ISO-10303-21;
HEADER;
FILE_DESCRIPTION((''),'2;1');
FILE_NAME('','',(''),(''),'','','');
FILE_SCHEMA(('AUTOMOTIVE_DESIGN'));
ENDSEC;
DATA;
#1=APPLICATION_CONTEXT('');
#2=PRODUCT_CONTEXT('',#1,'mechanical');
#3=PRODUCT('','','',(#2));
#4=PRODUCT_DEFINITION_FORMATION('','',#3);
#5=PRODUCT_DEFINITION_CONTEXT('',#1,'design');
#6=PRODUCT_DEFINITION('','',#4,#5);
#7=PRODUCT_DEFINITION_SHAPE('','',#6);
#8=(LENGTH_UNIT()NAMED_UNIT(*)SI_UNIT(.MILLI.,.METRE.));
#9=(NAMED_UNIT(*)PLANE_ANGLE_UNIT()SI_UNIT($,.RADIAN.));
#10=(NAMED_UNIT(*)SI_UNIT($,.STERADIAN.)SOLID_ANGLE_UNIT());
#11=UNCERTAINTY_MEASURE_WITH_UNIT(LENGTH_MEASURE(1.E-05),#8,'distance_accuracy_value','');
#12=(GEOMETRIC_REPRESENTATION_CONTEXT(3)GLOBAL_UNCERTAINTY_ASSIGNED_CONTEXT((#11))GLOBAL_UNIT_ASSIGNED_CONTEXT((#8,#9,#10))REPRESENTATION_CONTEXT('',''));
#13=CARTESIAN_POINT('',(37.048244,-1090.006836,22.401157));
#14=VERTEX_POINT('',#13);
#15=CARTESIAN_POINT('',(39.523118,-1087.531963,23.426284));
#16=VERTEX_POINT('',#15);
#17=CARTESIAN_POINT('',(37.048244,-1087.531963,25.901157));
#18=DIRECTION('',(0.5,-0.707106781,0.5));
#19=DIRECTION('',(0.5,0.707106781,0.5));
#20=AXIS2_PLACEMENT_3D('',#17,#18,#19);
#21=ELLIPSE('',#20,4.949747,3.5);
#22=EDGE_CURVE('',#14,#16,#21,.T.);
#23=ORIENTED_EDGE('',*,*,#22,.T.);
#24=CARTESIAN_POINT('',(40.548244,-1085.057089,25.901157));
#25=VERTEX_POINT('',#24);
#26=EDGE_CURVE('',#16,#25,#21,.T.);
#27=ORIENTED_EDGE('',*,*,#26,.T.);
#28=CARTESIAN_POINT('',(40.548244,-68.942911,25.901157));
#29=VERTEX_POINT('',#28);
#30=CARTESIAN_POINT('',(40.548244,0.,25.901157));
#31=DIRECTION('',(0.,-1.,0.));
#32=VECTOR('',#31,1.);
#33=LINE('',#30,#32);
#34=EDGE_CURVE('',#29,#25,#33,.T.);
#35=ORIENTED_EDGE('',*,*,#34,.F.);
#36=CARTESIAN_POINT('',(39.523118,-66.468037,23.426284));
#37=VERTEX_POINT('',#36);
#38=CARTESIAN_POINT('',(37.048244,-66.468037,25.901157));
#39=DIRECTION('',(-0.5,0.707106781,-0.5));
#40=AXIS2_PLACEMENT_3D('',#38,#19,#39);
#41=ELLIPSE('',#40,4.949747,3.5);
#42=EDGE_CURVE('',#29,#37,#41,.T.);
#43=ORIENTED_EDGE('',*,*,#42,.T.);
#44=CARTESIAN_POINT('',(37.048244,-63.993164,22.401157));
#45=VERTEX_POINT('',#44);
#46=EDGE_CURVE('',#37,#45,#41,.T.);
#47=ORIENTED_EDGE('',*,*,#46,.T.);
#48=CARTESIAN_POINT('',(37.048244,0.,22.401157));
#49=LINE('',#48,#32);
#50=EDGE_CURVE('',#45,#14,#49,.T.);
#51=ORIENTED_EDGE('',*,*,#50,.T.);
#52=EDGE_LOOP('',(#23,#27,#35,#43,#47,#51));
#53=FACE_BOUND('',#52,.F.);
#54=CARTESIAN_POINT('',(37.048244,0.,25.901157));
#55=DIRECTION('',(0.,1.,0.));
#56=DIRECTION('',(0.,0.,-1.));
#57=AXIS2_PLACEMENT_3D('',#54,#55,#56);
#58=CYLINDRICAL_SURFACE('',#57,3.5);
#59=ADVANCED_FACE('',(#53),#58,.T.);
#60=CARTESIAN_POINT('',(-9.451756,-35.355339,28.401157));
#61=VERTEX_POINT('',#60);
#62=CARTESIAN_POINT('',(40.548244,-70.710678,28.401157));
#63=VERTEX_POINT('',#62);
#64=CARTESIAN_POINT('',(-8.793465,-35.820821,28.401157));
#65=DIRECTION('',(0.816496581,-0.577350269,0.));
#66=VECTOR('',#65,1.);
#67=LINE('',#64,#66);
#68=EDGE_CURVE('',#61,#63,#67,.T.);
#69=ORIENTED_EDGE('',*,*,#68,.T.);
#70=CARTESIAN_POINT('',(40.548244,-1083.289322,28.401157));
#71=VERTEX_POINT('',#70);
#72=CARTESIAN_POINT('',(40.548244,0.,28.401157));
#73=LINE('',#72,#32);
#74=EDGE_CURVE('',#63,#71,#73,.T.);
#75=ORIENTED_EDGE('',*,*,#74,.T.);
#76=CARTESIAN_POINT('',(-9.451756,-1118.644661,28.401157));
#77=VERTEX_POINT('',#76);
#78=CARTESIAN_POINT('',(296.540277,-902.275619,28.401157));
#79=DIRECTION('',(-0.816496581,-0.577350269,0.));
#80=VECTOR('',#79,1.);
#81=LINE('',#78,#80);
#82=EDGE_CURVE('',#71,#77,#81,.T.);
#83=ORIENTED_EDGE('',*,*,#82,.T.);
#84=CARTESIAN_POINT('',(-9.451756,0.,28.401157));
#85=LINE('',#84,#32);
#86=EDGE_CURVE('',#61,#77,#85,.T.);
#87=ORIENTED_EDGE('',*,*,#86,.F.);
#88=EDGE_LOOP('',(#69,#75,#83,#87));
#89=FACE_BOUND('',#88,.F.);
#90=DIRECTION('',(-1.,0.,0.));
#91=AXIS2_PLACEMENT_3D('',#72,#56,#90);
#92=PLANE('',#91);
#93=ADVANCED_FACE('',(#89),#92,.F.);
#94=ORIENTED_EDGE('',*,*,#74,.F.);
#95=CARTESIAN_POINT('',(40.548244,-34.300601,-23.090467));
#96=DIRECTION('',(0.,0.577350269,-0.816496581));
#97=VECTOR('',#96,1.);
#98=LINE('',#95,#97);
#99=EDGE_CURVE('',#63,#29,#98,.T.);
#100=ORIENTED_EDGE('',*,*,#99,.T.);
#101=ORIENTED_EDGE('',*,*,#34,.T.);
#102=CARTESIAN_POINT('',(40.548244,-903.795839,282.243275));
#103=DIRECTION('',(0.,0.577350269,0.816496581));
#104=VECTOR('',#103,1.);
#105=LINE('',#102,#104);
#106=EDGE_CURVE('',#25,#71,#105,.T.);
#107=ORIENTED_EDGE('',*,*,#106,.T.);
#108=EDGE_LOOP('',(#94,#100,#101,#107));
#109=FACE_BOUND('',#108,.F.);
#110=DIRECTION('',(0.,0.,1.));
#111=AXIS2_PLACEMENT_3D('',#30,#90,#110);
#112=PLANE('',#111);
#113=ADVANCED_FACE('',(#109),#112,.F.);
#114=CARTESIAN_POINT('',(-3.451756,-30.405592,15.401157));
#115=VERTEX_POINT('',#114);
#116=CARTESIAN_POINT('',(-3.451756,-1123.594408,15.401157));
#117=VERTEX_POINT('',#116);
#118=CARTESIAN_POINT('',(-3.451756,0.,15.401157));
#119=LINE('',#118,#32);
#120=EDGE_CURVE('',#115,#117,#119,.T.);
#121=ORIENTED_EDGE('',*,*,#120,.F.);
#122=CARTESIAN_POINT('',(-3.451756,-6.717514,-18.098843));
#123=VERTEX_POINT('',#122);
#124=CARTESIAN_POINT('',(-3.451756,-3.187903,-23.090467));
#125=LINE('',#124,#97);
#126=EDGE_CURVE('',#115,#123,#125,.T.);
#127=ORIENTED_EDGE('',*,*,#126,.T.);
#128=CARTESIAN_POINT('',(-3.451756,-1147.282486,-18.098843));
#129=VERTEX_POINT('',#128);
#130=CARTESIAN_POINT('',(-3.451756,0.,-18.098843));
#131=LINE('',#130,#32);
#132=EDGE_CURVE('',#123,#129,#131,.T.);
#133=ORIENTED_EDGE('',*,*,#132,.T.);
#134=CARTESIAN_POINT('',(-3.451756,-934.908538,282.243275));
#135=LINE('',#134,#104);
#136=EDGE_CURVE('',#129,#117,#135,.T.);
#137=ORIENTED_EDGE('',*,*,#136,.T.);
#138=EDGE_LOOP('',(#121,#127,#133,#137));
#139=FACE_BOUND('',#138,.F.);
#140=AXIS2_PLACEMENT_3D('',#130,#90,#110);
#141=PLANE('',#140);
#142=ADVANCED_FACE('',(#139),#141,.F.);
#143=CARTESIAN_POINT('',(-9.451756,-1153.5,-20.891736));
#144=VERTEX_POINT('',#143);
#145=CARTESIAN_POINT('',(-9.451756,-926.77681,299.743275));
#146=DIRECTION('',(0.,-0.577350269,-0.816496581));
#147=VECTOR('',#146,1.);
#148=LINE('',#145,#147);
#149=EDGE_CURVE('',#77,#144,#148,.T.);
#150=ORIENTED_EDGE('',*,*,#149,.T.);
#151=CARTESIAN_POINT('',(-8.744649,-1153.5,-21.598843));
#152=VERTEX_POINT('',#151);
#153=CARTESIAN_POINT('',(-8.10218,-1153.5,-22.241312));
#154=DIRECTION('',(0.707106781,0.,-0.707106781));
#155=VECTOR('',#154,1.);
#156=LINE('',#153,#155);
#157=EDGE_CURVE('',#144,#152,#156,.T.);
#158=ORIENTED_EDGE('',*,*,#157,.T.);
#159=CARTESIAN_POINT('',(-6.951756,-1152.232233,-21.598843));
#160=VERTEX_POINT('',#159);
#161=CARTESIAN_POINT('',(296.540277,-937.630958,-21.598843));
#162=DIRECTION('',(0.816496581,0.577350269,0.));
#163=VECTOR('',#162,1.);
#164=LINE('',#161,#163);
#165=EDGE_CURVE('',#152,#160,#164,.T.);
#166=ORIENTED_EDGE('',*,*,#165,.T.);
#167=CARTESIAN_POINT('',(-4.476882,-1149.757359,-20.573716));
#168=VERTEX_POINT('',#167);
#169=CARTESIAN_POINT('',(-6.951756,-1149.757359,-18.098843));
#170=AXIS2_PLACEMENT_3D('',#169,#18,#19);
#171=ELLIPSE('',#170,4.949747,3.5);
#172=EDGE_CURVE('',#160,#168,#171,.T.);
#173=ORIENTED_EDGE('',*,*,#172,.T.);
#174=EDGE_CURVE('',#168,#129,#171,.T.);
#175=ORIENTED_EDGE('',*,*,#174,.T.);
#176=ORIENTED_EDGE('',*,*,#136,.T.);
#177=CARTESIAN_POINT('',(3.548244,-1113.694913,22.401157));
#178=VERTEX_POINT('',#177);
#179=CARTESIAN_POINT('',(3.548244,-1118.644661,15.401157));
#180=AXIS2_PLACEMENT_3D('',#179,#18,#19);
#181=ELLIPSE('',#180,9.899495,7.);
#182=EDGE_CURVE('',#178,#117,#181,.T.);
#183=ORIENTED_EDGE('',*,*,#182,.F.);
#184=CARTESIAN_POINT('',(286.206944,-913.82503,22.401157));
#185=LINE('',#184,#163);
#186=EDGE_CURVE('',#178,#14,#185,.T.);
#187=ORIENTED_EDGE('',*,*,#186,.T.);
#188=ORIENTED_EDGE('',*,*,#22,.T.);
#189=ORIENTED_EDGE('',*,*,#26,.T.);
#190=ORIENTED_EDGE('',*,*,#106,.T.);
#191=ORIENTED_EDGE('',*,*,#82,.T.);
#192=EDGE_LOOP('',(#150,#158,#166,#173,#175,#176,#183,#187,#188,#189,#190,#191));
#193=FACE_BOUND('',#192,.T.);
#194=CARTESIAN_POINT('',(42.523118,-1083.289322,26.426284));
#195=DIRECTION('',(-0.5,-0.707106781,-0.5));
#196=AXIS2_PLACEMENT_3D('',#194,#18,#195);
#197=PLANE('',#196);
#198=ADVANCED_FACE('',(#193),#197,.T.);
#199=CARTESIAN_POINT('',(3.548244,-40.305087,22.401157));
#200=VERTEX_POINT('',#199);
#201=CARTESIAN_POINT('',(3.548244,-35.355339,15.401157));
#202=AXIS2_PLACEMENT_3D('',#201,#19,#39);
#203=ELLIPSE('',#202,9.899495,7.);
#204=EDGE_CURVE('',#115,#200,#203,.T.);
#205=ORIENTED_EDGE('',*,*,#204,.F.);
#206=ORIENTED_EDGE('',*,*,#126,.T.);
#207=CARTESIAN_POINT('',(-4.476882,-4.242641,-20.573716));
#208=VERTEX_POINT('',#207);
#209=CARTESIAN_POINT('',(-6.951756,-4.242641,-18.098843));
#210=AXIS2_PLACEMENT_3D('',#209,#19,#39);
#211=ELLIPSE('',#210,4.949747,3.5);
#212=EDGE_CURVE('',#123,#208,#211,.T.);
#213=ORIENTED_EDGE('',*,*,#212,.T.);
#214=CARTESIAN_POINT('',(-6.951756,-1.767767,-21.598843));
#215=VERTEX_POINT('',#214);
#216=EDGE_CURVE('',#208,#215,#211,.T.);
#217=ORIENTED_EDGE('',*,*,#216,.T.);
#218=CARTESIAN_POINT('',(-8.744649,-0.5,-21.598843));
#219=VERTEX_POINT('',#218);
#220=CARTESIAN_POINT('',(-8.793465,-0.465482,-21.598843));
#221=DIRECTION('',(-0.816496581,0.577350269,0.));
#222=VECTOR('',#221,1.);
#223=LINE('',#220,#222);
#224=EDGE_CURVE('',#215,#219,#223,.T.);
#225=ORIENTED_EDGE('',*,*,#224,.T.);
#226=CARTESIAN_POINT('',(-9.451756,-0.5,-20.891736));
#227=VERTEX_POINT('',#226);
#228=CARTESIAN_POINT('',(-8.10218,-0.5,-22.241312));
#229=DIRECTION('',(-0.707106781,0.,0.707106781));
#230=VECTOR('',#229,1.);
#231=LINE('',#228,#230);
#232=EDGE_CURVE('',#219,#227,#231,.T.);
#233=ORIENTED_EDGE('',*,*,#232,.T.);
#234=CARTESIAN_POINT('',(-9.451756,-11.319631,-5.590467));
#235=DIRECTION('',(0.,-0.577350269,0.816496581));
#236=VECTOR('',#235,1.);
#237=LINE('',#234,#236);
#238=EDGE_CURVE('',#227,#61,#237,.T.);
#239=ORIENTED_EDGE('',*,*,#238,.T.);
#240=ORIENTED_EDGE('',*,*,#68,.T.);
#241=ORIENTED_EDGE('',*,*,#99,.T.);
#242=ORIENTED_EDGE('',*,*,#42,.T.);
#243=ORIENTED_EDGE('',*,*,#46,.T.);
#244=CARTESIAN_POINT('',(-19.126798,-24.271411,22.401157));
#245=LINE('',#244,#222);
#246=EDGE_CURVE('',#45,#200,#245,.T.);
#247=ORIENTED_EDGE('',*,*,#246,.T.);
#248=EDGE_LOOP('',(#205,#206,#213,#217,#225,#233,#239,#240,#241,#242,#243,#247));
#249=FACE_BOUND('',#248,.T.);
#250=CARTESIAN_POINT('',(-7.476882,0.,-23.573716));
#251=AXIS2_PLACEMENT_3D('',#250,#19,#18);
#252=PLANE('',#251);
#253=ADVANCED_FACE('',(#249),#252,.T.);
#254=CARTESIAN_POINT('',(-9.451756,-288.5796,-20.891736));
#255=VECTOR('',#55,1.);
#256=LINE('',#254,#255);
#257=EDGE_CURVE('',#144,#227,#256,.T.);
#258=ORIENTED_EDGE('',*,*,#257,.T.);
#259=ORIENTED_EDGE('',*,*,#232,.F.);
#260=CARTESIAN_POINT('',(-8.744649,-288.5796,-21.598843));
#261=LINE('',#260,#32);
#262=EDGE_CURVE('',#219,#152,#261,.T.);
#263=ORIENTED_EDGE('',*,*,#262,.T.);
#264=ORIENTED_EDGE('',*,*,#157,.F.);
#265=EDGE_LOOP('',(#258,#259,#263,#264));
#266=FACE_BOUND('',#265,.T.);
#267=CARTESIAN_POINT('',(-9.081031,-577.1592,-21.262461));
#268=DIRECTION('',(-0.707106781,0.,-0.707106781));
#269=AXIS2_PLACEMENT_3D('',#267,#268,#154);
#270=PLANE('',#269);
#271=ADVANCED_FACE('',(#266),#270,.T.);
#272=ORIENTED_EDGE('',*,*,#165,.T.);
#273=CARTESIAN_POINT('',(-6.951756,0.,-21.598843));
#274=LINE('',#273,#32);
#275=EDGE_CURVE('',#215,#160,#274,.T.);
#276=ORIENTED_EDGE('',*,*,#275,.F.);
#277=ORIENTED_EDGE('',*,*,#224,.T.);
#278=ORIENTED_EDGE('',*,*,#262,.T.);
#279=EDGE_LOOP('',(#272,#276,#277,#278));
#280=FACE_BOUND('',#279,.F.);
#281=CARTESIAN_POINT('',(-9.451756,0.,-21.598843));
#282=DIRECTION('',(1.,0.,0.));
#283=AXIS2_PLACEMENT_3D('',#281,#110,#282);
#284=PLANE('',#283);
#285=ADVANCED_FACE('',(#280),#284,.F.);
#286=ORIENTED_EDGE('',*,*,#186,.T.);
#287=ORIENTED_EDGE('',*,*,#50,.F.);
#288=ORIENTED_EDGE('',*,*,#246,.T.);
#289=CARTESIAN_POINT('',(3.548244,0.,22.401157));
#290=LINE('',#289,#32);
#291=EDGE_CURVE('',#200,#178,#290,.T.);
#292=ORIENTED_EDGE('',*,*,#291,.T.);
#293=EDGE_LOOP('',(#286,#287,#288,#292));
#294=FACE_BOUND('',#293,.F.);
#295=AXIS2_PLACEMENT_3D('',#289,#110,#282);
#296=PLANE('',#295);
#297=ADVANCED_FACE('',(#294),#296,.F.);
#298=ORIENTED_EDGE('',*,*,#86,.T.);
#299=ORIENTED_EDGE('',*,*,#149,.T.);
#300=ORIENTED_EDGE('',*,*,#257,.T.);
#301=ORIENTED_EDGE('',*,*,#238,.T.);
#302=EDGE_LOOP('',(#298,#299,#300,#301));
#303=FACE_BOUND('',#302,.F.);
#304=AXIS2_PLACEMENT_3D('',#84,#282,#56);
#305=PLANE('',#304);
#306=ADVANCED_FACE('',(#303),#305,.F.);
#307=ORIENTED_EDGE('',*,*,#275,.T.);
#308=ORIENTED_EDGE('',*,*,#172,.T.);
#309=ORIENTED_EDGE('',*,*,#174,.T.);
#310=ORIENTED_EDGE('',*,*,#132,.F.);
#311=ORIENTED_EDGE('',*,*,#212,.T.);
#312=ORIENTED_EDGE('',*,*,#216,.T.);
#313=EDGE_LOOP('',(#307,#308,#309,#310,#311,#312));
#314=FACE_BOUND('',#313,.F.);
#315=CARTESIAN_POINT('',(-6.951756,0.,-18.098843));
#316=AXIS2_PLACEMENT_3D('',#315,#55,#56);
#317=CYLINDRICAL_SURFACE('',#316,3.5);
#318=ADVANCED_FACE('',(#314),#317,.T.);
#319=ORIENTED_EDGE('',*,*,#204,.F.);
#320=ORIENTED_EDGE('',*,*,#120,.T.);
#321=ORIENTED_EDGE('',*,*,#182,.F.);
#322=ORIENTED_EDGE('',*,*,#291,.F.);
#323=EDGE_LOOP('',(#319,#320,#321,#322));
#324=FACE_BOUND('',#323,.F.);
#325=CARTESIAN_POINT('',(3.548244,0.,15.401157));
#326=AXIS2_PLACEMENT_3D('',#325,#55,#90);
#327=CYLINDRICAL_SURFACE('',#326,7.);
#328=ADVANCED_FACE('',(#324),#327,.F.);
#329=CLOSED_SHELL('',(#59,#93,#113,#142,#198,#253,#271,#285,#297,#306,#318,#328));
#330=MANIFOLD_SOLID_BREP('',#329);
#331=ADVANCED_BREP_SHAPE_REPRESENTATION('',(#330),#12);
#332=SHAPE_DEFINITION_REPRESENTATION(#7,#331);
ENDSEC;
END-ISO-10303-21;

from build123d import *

# Parameters (mm, degrees)
F1_DEPTH  = 1154
F7_DEPTH  = 45
F9_DEPTH  = 45
F11_W     = 4.8190290108
F11_H     = 1158.3167838398
F12_DEPTH = 0.5


with BuildPart() as f1:
    # F0 (on Front) → F1 (new body)
    with BuildSketch(Plane.XZ):
        with BuildLine():
            Line((-9.4517558242, 28.4011573891), (-9.4517558242, -21.5988426109))
            Line((-9.4517558242, -21.5988426109), (-6.9517558242, -21.5988426109))
            ThreePointArc((-6.9517558242, -21.5988426109), (-4.47688209, -20.5737163451), (-3.4517558242, -18.0988426109))
            Line((-3.4517558242, -18.0988426109), (-3.4517558242, 15.4011573891))
            ThreePointArc((-3.4517558242, 15.4011573891), (-1.4015032925, 20.3509048574), (3.5482441758, 22.4011573891))
            Line((3.5482441758, 22.4011573891), (37.0482441758, 22.4011573891))
            ThreePointArc((37.0482441758, 22.4011573891), (39.52311791, 23.4262836549), (40.5482441758, 25.9011573891))
            Line((40.5482441758, 25.9011573891), (40.5482441758, 28.4011573891))
            Line((40.5482441758, 28.4011573891), (-9.4517558242, 28.4011573891))
        make_face()
    extrude(amount=F1_DEPTH)

    # F6 (on 3pt) → F7 (cut)
    with BuildSketch(Plane(origin=(8.0484171275, 0, -8.0484171275), x_dir=(0, -1, 0), z_dir=(-0.7071067812, 0, 0.7071067812))):
        Polygon((0, 48.7545894053), (0, -21.9560887134), (70.7106781187, 48.7545894053), align=None)
    extrude(amount=F7_DEPTH, mode=Mode.SUBTRACT)

    # F8 (on 3pt) → F9 (cut)
    with BuildSketch(Plane(origin=(8.0484171275, 0, -8.0484171275), x_dir=(0, -1, 0), z_dir=(-0.7071067812, 0, 0.7071067812))):
        Polygon((1083.2893218813, 48.7545894053), (1154, -21.9560887134), (1154, 48.7545894053), align=None)
    extrude(amount=F9_DEPTH, mode=Mode.SUBTRACT)

    # F11 (on face) → F12 (cut)
    with BuildSketch(Plane(origin=(-15.5252992176, 0, -15.5252992176), x_dir=(0.7071067812, 0, -0.7071067812), z_dir=(-0.7071067812, 0, -0.7071067812))):
        with Locations((8.6135719903, 577.1591997473)):
            Rectangle(F11_W, F11_H)
    extrude(amount=-F12_DEPTH, mode=Mode.SUBTRACT)


solid = f1.part
